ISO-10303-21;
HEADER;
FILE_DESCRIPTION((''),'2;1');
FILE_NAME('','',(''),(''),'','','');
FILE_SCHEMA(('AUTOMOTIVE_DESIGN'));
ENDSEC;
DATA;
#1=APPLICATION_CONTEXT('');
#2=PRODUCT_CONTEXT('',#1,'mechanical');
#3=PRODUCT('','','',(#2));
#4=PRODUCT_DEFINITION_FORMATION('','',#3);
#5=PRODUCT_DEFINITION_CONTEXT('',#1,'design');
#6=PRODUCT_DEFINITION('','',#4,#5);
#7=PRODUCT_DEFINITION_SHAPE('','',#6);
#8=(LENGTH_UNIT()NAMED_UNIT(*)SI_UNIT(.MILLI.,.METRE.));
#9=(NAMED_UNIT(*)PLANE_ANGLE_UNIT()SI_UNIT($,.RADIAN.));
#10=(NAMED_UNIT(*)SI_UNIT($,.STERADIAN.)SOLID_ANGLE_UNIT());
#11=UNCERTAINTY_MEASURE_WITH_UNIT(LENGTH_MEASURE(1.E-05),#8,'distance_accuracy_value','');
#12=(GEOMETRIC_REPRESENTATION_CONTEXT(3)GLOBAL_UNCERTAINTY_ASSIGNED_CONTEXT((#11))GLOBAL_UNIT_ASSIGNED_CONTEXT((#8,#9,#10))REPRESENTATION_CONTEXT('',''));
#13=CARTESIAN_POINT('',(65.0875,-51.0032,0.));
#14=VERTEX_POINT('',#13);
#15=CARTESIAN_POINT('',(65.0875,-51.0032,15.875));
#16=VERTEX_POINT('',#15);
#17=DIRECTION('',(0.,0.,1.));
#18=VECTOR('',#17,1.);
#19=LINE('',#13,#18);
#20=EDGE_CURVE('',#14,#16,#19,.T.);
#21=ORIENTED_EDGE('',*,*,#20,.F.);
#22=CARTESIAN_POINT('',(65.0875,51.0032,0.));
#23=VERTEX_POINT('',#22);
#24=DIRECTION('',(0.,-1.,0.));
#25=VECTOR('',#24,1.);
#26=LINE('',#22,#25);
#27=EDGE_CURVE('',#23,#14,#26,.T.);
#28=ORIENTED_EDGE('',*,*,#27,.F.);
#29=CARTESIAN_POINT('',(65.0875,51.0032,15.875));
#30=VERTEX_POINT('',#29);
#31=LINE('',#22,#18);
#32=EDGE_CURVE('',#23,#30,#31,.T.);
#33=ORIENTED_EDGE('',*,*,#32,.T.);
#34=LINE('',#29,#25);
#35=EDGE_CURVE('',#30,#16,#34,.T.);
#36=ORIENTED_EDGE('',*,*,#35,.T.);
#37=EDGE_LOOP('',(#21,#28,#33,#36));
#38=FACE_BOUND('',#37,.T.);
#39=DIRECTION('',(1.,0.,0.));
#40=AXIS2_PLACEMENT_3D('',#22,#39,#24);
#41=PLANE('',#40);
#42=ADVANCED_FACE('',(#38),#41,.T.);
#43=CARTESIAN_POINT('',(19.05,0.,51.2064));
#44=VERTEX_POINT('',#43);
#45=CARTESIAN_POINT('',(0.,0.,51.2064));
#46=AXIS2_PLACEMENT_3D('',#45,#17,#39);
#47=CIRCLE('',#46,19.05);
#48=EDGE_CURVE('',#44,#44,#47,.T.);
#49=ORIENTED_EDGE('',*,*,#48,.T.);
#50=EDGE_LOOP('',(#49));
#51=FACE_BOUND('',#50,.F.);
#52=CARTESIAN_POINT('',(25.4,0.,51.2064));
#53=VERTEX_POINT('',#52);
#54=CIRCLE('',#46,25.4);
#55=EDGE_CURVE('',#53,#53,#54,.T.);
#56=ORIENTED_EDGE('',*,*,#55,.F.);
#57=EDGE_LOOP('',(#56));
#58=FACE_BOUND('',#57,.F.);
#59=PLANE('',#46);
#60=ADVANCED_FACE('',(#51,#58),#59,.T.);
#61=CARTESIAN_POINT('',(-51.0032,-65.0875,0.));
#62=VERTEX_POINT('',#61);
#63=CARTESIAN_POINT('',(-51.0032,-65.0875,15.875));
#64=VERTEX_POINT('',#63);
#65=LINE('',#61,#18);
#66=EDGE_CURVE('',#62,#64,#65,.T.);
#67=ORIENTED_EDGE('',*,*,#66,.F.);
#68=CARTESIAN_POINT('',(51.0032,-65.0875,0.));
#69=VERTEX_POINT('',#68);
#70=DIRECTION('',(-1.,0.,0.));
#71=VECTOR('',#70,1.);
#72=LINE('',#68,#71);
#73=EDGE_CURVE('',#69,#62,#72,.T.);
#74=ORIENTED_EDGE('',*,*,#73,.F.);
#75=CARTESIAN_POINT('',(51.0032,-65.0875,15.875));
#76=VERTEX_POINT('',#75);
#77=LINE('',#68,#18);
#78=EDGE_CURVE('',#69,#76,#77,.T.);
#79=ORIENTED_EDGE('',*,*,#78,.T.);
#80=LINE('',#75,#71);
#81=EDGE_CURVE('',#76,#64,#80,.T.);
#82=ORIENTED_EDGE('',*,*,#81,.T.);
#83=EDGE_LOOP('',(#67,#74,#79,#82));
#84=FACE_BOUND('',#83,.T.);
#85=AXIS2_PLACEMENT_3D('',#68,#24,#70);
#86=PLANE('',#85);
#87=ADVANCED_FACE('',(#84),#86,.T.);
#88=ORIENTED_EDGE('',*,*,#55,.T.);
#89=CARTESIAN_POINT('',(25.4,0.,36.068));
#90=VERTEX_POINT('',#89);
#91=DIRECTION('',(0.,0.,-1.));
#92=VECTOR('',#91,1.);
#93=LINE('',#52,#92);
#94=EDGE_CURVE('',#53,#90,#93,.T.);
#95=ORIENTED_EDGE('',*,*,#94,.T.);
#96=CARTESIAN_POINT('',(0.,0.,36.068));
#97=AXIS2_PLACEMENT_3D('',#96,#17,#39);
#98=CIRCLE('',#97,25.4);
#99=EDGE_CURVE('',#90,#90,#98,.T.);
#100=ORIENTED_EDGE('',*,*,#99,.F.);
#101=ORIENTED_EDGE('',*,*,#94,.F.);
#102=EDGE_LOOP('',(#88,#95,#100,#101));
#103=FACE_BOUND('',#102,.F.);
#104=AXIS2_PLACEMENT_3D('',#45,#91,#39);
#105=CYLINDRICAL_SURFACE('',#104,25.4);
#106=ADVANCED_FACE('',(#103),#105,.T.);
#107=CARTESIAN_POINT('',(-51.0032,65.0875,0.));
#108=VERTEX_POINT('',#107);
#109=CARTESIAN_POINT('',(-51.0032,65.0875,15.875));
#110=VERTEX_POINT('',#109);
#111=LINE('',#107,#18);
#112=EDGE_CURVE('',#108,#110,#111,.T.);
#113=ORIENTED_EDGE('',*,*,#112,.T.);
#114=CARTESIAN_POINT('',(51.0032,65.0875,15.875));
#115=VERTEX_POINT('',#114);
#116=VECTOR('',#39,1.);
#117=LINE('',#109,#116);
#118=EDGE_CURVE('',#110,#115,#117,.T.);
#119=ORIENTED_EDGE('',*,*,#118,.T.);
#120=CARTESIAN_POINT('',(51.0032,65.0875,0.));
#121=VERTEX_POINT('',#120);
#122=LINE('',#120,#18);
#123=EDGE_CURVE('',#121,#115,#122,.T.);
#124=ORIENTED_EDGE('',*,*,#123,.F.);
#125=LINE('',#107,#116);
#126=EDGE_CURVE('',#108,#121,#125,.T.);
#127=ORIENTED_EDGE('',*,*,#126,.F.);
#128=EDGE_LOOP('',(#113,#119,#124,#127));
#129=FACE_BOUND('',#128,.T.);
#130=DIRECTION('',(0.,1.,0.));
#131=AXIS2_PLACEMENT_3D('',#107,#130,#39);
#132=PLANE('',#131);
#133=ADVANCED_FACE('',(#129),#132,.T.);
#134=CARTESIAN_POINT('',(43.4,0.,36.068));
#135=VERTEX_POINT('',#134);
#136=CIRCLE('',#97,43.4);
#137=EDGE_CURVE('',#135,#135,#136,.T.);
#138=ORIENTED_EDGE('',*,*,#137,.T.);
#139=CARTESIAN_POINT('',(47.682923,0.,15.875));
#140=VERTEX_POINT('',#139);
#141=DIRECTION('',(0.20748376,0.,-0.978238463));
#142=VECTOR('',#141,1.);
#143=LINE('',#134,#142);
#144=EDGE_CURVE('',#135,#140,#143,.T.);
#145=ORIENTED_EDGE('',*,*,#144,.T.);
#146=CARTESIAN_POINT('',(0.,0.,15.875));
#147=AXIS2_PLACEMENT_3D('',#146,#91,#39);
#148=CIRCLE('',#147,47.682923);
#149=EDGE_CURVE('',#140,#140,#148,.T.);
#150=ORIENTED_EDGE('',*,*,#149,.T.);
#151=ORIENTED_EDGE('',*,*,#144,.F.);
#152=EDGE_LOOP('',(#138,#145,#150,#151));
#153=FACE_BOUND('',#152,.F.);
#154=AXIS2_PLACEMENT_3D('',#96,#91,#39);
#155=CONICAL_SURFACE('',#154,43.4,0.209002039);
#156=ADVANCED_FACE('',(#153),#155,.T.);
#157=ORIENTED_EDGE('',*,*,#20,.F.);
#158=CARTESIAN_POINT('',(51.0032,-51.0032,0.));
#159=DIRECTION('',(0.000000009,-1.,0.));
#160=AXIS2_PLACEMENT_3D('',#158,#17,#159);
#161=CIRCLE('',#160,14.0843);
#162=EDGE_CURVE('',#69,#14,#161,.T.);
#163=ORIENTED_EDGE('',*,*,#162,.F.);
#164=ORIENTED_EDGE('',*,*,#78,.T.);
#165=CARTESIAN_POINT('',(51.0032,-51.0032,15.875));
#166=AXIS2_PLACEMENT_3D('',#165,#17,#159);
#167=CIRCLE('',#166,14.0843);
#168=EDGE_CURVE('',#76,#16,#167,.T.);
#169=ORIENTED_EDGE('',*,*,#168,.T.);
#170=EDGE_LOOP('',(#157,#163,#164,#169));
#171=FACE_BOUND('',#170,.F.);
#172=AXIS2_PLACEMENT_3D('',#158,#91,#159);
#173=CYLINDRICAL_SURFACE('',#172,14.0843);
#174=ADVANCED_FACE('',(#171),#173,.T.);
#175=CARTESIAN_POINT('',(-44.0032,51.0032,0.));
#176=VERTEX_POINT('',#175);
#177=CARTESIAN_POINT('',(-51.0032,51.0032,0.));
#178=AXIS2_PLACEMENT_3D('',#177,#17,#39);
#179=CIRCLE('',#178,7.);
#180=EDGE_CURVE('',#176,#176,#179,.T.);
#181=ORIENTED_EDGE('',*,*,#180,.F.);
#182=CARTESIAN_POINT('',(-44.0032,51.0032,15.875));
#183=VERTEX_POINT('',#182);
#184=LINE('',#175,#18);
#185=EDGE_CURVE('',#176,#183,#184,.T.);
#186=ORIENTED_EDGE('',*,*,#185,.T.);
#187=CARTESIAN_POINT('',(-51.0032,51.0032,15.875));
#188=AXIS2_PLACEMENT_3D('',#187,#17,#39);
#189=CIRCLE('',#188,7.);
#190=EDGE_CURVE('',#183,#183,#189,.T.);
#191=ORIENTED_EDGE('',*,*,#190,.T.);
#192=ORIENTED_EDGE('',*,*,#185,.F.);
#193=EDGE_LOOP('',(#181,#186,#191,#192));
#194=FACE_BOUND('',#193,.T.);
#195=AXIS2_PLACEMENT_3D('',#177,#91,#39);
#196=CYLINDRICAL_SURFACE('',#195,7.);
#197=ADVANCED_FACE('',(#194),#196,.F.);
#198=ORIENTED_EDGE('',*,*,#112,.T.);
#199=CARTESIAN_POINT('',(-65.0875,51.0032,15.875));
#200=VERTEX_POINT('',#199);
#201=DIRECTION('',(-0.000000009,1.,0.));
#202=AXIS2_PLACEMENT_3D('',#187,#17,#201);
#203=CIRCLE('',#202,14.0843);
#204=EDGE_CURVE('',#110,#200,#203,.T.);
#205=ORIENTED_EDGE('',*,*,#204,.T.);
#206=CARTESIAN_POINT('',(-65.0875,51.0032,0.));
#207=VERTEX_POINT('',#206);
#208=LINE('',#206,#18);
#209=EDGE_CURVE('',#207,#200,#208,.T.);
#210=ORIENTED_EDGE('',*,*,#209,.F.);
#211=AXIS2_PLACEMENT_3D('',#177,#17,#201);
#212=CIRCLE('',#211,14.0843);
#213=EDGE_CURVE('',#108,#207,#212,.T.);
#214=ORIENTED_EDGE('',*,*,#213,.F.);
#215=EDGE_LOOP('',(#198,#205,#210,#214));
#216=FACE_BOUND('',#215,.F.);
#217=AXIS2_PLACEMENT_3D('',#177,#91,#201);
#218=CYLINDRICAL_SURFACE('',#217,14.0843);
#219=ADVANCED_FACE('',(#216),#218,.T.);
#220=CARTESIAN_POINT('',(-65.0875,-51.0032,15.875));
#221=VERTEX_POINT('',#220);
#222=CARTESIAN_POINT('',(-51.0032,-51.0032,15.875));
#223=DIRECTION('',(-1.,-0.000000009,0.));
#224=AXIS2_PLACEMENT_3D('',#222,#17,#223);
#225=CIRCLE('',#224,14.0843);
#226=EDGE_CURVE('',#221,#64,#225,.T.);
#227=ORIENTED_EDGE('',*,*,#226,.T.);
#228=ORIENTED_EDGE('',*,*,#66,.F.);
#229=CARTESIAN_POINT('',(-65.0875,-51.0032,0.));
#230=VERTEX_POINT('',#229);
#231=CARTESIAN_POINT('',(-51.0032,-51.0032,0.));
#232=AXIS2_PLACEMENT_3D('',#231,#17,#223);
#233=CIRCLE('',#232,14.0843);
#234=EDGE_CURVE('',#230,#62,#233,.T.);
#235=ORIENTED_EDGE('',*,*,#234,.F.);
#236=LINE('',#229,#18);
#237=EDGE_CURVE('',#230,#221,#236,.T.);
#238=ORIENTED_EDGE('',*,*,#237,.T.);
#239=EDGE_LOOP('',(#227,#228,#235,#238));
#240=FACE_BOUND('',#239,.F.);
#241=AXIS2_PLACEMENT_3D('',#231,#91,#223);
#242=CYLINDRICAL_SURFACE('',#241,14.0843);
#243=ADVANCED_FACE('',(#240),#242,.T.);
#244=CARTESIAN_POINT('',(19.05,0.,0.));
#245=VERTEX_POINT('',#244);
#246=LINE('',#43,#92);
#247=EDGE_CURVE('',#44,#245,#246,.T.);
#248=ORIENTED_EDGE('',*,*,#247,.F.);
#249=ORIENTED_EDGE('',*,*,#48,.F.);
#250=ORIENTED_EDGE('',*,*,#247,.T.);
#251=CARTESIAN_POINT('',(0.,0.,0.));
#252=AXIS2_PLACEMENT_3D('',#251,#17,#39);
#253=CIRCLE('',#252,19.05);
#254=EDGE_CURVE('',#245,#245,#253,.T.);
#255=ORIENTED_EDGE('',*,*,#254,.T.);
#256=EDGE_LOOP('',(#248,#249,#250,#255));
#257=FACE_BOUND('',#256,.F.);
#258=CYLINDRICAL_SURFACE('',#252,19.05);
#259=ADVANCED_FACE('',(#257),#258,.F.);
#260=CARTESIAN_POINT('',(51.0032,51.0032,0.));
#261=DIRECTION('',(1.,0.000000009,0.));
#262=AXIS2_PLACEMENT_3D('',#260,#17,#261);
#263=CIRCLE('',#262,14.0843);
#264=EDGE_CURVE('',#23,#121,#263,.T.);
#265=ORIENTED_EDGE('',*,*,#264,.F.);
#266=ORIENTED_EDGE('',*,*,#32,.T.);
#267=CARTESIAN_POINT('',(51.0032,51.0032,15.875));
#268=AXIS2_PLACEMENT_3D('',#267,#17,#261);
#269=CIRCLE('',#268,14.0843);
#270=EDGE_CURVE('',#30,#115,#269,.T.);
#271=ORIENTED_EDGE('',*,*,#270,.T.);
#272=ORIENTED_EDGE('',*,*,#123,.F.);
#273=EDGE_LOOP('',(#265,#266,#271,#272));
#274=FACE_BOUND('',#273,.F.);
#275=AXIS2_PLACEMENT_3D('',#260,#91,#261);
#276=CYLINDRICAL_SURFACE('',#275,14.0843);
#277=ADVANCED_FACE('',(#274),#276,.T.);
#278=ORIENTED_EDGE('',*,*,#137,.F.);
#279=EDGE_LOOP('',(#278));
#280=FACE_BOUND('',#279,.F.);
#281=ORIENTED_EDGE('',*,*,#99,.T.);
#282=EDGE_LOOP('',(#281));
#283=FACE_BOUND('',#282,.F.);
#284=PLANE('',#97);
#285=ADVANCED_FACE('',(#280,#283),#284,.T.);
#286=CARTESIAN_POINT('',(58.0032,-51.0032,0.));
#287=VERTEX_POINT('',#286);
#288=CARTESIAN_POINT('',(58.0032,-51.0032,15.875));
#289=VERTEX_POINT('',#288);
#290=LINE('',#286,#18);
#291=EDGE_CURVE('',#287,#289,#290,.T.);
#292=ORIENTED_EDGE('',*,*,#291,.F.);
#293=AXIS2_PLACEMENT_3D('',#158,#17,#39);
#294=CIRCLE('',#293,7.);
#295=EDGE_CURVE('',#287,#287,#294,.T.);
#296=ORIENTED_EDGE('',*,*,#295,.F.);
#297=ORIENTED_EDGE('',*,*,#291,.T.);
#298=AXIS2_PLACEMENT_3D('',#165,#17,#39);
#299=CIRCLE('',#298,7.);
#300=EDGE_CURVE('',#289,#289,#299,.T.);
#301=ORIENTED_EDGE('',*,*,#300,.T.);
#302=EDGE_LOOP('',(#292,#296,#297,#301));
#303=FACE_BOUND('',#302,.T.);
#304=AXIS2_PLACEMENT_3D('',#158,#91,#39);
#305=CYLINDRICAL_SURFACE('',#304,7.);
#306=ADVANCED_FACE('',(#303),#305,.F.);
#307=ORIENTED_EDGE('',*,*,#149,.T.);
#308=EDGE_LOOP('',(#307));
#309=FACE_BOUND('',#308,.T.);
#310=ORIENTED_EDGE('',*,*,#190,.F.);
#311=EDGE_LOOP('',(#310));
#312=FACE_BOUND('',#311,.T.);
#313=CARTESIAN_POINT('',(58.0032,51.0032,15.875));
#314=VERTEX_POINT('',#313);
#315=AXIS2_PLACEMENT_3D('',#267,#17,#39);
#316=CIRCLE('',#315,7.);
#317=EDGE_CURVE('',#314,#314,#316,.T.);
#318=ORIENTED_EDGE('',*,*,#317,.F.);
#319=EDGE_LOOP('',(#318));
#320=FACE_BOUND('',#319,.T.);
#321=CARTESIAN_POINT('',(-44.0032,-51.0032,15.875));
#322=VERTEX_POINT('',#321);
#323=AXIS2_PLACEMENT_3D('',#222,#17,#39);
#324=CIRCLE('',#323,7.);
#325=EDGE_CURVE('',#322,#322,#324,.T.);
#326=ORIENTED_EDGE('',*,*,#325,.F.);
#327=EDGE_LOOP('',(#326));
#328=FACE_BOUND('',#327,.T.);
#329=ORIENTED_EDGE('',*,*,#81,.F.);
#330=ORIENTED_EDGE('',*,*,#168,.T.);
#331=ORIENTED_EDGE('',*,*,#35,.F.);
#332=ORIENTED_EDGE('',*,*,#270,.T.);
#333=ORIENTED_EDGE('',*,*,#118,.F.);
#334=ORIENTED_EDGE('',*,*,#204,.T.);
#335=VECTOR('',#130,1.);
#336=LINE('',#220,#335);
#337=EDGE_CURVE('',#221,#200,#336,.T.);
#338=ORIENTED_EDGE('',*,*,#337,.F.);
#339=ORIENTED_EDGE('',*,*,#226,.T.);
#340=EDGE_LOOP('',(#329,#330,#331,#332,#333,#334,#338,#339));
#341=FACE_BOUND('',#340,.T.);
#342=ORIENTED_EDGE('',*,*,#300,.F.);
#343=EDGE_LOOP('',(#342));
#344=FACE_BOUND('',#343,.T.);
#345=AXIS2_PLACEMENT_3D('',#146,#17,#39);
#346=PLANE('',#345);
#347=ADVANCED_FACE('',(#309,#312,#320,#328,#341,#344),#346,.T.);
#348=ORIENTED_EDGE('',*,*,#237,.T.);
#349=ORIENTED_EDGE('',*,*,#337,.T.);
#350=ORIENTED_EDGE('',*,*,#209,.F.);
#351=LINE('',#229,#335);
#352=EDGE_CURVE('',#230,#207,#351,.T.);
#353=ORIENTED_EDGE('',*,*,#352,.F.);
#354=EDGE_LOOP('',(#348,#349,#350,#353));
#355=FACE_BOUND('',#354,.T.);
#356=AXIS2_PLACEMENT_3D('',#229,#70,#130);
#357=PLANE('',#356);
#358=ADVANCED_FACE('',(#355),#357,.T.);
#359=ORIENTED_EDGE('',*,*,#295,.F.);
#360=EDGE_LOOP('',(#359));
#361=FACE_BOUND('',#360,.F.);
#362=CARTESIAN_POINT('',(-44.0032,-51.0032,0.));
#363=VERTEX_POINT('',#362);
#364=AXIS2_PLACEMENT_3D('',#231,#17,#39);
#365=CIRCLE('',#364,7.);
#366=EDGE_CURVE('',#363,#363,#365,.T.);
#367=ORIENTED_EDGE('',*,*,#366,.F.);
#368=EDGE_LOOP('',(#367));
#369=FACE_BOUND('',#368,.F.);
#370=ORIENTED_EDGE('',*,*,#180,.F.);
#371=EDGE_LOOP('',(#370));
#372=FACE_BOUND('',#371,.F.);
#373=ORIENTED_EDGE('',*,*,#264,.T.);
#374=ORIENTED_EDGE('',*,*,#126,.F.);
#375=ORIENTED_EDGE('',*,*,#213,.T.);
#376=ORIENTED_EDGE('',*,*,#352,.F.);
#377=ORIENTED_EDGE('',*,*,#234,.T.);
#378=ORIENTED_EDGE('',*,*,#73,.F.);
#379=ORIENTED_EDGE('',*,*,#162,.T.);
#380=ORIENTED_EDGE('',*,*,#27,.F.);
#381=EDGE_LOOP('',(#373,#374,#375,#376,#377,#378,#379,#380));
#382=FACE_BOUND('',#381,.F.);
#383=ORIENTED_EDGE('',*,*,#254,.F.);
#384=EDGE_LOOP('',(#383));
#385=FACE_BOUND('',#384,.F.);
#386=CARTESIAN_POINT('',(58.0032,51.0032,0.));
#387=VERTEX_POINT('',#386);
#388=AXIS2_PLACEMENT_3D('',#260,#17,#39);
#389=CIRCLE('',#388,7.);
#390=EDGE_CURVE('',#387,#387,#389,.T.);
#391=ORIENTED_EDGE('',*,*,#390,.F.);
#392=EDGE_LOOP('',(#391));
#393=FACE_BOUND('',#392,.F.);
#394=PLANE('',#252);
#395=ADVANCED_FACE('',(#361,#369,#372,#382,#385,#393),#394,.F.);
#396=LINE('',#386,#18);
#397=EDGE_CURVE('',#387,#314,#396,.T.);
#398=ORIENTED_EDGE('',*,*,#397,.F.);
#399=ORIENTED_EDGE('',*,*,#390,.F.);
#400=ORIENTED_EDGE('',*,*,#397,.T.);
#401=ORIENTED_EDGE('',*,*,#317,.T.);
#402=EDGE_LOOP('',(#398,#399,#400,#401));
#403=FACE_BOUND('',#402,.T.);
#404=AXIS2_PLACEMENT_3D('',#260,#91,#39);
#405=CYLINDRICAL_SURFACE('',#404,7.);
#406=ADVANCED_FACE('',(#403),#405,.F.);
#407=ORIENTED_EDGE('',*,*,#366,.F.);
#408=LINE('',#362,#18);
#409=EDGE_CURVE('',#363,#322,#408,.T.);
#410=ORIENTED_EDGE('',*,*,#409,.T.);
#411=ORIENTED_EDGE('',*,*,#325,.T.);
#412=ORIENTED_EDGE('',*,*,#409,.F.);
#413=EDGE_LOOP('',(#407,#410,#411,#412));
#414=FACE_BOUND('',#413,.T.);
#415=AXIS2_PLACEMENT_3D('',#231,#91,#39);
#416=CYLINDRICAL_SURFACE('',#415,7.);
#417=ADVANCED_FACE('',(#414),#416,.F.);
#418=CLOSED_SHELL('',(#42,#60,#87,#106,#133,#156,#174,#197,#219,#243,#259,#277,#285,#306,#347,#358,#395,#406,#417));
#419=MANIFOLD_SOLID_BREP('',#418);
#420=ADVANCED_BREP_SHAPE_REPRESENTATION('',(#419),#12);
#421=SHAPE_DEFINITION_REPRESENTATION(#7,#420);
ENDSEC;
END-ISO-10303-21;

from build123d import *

# Parameters (mm, degrees)
SKETCH001_R   = 7
SKETCH001_R_2 = 19.05
PAD_DEPTH     = 15.875


with BuildPart() as part:
    # Sketch → Revolution (revolve)
    with BuildSketch(Plane.XZ):
        Polygon((19.05, 0), (19.05, 51.2064), (25.4, 51.2064), (25.4, 36.068), (43.4, 36.068), (51.05, 0), align=None)
    revolve(axis=Axis((0, 0, 0), (0, 0, 1)))

    # Sketch001 → Pad (new body)
    with BuildSketch(Plane.XY):
        with BuildLine():
            ThreePointArc((-51.0032, 65.0875), (-60.962304, 60.962304), (-65.0875, 51.0032))
            Line((-65.0875, -51.0032), (-65.0875, 51.0032))
            ThreePointArc((-65.0875, -51.0032), (-60.962304, -60.962304), (-51.0032, -65.0875))
            Line((51.0032, -65.0875), (-51.0032, -65.0875))
            ThreePointArc((51.0032, -65.0875), (60.962304, -60.962304), (65.0875, -51.0032))
            Line((65.0875, 51.0032), (65.0875, -51.0032))
            ThreePointArc((65.0875, 51.0032), (60.962304, 60.962304), (51.0032, 65.0875))
            Line((-51.0032, 65.0875), (51.0032, 65.0875))
        make_face()
        with Locations((51.0032, 51.0032)):
            Circle(SKETCH001_R, mode=Mode.SUBTRACT)
        with Locations((-51.0032, 51.0032)):
            Circle(SKETCH001_R, mode=Mode.SUBTRACT)
        with Locations((-51.0032, -51.0032)):
            Circle(SKETCH001_R, mode=Mode.SUBTRACT)
        with Locations((51.0032, -51.0032)):
            Circle(SKETCH001_R, mode=Mode.SUBTRACT)
        Circle(SKETCH001_R_2, mode=Mode.SUBTRACT)
    extrude(amount=PAD_DEPTH)


solid = part.part
